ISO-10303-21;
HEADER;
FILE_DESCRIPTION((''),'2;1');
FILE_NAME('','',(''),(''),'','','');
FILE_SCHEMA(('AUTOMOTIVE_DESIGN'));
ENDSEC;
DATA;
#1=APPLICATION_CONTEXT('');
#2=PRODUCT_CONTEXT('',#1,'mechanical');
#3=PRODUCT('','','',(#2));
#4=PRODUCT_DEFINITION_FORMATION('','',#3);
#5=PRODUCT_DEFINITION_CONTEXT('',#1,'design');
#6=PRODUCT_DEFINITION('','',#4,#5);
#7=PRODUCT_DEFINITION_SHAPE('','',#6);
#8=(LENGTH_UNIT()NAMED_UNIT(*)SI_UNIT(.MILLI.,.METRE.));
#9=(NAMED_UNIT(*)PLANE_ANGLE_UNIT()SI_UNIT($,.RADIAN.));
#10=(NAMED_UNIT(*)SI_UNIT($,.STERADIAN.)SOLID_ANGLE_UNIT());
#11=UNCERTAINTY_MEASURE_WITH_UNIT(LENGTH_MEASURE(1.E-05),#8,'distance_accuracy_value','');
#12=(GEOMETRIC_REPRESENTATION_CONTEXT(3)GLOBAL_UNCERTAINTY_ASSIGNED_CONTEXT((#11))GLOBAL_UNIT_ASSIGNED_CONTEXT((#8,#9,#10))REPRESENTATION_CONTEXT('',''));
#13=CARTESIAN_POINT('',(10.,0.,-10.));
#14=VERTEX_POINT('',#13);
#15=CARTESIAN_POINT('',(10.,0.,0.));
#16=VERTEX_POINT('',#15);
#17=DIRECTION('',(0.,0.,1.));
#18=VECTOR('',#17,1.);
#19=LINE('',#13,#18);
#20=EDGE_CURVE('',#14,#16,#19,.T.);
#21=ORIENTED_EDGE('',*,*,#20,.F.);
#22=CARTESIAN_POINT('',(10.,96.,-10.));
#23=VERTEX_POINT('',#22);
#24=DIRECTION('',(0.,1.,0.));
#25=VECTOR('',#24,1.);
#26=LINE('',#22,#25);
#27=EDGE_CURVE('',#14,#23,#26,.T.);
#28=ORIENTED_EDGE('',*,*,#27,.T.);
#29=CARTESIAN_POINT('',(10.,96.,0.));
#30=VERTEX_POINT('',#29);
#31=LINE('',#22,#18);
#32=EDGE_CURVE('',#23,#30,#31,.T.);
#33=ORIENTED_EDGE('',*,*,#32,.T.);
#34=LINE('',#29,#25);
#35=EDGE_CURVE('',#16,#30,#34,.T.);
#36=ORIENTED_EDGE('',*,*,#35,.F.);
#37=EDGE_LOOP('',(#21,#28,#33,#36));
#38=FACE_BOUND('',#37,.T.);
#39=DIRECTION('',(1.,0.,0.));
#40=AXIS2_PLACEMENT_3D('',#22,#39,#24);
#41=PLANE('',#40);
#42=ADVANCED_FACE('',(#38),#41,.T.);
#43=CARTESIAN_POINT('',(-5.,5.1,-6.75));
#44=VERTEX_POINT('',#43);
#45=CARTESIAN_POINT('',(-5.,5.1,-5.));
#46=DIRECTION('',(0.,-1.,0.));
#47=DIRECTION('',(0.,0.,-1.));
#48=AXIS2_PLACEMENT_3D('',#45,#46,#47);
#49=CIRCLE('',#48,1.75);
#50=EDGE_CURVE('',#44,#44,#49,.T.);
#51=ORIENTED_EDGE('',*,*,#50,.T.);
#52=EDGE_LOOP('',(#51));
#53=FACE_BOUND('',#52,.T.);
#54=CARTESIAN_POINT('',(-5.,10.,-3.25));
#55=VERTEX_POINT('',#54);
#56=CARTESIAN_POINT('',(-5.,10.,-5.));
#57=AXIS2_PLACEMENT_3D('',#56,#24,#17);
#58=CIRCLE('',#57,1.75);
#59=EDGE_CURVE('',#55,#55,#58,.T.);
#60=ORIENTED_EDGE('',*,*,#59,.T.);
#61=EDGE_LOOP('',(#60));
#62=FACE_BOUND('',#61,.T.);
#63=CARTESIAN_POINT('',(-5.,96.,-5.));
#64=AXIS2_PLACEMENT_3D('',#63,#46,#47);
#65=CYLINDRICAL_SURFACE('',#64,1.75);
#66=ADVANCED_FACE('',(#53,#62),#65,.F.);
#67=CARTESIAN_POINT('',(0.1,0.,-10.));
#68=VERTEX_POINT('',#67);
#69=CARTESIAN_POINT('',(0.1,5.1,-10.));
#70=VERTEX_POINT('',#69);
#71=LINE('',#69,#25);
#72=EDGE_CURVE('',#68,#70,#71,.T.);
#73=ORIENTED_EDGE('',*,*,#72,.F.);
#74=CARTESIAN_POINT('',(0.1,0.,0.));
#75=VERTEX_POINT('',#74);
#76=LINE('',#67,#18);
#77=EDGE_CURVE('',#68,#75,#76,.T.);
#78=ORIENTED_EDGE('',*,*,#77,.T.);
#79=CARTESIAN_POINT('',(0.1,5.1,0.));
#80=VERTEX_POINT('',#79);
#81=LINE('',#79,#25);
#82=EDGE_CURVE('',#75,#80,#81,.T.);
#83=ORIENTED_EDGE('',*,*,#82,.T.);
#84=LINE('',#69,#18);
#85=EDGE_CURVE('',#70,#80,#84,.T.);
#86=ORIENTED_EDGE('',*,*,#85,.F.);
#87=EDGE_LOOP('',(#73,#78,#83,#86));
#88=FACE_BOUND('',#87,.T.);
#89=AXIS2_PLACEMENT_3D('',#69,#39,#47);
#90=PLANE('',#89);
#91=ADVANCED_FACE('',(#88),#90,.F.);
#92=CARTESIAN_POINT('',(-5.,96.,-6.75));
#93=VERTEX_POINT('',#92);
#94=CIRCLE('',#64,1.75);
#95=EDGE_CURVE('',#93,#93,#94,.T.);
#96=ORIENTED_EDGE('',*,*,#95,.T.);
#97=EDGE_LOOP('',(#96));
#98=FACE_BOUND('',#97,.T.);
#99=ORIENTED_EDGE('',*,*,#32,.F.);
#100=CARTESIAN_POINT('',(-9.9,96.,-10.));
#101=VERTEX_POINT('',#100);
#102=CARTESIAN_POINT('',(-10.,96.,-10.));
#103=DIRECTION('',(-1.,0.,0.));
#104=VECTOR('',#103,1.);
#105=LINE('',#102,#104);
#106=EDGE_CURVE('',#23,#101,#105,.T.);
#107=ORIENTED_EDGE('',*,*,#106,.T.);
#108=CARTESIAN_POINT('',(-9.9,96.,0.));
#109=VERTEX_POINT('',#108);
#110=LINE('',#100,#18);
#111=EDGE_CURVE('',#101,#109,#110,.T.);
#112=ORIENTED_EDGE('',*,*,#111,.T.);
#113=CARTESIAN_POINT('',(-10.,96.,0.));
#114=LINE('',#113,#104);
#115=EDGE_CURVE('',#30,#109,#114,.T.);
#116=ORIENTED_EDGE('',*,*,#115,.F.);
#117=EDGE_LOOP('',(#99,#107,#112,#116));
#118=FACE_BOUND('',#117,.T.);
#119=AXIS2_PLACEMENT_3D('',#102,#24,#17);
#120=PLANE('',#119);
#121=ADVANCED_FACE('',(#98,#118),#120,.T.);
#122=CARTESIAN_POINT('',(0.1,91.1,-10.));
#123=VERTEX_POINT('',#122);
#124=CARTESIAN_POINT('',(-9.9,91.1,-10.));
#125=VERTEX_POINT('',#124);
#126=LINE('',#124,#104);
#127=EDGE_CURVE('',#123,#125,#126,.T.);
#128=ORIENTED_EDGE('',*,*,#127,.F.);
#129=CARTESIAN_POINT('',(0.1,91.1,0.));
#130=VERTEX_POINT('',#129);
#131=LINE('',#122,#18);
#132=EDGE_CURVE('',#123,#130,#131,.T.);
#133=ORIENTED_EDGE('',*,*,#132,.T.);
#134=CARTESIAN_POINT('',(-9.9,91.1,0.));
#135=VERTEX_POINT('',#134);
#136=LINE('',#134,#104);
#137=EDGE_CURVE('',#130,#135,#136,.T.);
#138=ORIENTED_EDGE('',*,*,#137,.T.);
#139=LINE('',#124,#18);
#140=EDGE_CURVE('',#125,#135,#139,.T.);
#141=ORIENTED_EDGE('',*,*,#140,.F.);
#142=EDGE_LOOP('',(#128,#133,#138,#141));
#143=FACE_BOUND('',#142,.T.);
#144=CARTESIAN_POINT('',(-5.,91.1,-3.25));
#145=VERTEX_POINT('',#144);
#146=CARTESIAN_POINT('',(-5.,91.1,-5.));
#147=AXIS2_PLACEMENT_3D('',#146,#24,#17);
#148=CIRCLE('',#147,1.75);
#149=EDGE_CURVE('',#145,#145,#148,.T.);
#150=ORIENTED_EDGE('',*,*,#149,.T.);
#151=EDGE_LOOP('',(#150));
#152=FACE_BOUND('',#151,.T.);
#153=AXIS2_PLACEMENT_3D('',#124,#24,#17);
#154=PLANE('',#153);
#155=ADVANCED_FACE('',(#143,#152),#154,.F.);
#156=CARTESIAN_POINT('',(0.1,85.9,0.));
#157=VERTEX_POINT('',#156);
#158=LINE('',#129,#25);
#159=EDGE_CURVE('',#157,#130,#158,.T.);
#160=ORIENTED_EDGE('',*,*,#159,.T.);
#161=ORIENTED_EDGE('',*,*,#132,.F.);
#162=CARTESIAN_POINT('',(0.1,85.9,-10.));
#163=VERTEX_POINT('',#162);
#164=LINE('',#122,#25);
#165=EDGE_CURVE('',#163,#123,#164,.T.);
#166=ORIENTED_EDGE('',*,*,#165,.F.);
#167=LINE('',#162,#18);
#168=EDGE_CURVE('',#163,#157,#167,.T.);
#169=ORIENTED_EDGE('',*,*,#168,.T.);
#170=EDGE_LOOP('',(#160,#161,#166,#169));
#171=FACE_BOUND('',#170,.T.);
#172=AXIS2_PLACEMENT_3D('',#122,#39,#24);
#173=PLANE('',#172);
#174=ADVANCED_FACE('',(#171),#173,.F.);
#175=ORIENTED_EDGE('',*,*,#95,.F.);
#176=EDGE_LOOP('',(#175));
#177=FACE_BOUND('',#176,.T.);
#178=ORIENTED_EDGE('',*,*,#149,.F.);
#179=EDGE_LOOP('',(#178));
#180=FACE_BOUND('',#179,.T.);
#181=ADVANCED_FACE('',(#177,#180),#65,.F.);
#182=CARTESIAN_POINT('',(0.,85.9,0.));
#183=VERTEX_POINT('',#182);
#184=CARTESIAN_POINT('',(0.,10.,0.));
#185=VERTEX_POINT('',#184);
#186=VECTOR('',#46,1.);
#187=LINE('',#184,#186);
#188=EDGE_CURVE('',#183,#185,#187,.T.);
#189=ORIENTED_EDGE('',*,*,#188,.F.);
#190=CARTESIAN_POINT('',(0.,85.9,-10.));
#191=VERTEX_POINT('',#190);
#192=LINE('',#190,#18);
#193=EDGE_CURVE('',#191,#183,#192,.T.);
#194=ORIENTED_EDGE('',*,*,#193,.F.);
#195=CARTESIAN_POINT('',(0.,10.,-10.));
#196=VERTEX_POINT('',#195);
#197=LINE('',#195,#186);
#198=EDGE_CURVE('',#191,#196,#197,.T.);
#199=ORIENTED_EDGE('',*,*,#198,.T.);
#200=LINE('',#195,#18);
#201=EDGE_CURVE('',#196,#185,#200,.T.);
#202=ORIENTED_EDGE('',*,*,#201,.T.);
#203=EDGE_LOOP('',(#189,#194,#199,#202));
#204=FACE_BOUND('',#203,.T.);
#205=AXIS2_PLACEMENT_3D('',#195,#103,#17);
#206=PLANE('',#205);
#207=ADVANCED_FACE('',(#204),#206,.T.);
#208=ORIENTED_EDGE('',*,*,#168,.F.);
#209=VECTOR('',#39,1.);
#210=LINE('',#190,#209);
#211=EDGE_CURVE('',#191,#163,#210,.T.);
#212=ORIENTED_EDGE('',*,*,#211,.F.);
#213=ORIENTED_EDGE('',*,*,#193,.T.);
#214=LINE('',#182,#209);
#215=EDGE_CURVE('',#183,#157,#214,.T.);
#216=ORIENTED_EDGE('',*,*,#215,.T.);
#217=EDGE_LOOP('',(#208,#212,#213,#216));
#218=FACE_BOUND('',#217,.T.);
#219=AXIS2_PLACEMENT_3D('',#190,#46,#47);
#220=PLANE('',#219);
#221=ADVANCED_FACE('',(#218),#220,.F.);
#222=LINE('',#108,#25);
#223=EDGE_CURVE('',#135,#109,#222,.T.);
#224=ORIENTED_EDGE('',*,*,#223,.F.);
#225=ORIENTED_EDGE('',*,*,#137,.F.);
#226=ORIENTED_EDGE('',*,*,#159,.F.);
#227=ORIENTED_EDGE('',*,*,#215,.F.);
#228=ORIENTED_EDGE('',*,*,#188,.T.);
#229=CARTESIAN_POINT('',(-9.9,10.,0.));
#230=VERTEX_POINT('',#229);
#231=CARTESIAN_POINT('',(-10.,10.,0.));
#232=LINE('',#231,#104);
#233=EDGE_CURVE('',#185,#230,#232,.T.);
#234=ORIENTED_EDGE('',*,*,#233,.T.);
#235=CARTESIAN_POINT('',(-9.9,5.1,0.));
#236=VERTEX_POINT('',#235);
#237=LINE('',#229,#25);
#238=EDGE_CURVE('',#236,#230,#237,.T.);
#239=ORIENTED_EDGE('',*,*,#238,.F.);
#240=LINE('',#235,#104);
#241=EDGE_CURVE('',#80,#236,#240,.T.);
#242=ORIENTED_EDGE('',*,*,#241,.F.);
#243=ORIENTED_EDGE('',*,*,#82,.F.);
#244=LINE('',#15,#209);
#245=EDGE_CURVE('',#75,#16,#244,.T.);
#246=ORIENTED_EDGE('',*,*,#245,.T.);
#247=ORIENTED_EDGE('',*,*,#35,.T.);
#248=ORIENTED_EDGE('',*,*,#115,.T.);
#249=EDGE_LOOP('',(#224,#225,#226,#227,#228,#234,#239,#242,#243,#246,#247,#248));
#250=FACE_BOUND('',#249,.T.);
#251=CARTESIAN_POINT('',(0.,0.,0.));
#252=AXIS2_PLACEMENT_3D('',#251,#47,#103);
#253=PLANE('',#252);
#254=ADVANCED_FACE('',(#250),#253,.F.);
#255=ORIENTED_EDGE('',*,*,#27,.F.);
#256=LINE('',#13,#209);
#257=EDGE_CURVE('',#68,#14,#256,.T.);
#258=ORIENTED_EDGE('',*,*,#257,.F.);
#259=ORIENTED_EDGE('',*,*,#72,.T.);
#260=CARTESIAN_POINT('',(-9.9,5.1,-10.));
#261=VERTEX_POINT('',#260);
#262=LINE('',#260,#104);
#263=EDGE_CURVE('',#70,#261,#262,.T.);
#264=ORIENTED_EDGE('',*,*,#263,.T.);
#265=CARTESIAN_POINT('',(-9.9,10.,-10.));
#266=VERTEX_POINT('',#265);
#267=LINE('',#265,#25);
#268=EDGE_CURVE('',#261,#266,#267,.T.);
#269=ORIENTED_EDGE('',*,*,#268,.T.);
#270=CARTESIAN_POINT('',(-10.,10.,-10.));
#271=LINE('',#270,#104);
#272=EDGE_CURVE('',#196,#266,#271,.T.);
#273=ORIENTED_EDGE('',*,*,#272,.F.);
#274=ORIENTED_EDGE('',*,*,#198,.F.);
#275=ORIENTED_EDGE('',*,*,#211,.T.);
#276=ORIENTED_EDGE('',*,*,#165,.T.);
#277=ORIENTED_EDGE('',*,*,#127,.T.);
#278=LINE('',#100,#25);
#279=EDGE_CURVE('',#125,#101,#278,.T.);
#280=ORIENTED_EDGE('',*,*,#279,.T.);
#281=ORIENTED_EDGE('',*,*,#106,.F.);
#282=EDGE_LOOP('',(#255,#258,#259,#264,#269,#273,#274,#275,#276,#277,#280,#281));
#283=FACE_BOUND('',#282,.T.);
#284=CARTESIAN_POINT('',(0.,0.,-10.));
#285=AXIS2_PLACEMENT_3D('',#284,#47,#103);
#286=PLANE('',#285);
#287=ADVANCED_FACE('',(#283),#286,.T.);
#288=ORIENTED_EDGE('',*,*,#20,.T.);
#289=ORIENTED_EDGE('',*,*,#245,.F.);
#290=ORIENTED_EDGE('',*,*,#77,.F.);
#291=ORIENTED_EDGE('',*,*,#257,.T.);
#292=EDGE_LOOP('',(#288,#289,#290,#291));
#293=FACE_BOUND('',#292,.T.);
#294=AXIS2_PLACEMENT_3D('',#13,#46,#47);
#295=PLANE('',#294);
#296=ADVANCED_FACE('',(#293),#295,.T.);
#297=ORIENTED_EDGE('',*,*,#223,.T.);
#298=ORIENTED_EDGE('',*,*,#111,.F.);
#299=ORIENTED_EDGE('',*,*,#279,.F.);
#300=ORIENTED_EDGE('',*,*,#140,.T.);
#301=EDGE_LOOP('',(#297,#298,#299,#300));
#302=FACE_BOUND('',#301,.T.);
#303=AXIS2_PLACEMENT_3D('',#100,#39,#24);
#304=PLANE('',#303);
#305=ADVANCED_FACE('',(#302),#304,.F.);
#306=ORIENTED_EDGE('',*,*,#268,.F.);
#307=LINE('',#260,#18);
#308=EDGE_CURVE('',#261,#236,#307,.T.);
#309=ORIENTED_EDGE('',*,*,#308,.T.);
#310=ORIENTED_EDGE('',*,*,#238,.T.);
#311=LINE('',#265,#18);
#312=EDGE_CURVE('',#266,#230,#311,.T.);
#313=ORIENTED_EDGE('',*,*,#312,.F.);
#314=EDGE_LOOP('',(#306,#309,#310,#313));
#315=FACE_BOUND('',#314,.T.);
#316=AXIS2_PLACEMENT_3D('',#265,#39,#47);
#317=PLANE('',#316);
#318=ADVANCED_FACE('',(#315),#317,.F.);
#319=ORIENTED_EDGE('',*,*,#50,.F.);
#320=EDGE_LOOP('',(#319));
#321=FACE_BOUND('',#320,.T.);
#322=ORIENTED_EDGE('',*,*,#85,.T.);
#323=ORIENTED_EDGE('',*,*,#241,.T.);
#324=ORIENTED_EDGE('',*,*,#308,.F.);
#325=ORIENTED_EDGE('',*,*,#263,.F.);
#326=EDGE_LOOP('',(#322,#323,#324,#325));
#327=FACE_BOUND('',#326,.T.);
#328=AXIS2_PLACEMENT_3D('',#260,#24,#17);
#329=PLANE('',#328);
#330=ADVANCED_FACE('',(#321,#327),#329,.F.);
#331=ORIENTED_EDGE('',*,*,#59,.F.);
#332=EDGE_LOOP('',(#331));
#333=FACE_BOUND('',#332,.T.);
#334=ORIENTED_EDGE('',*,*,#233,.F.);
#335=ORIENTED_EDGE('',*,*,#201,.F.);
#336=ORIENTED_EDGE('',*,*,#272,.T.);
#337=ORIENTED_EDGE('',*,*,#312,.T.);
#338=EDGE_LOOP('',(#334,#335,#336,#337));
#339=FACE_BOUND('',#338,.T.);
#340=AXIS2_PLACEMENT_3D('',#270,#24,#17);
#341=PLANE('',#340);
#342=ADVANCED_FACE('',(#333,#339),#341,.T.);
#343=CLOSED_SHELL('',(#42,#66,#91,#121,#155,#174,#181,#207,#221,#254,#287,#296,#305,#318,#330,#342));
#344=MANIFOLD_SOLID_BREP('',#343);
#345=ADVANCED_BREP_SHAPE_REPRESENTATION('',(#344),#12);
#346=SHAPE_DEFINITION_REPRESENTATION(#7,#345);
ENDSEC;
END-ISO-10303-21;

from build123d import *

# Parameters (mm, degrees)
BOSS_EXTRUDE1_DEPTH = 10
CUT_EXTRUDE1_DEPTH  = 11
SKETCH3_R           = 1.75
CUT_EXTRUDE2_DEPTH  = 91.9


with BuildPart() as part:
    # Sketch1 → Boss-Extrude1 (new body)
    with BuildSketch(Plane.XY):
        Polygon((0, 0), (0, 5), (-10, 5), (-10, 10), (0, 10), (0, 91), (-10, 91), (-10, 96), (10, 96), (10, 0), align=None)
    extrude(amount=-BOSS_EXTRUDE1_DEPTH)

    # Sketch2 → Cut-Extrude1 (cut, through all)
    with BuildSketch(Plane.XY):
        Polygon((-10, 10), (-10, 5), (0, 5), (0, 0), (0.1, 0), (0.1, 5.1), (-9.9, 5.1), (-9.9, 10), align=None)
        Polygon((-10, 96), (-10, 91), (0, 91), (0, 85.9), (0.1, 85.9), (0.1, 91.1), (-9.9, 91.1), (-9.9, 96), align=None)
    extrude(amount=-CUT_EXTRUDE1_DEPTH, mode=Mode.SUBTRACT)

    # Sketch3 → Cut-Extrude2 (cut, through all)
    with BuildSketch(Plane.XZ.offset(-5.1)):
        with Locations((-5, -5)):
            Circle(SKETCH3_R)
    extrude(amount=-CUT_EXTRUDE2_DEPTH, mode=Mode.SUBTRACT)


solid = part.part
